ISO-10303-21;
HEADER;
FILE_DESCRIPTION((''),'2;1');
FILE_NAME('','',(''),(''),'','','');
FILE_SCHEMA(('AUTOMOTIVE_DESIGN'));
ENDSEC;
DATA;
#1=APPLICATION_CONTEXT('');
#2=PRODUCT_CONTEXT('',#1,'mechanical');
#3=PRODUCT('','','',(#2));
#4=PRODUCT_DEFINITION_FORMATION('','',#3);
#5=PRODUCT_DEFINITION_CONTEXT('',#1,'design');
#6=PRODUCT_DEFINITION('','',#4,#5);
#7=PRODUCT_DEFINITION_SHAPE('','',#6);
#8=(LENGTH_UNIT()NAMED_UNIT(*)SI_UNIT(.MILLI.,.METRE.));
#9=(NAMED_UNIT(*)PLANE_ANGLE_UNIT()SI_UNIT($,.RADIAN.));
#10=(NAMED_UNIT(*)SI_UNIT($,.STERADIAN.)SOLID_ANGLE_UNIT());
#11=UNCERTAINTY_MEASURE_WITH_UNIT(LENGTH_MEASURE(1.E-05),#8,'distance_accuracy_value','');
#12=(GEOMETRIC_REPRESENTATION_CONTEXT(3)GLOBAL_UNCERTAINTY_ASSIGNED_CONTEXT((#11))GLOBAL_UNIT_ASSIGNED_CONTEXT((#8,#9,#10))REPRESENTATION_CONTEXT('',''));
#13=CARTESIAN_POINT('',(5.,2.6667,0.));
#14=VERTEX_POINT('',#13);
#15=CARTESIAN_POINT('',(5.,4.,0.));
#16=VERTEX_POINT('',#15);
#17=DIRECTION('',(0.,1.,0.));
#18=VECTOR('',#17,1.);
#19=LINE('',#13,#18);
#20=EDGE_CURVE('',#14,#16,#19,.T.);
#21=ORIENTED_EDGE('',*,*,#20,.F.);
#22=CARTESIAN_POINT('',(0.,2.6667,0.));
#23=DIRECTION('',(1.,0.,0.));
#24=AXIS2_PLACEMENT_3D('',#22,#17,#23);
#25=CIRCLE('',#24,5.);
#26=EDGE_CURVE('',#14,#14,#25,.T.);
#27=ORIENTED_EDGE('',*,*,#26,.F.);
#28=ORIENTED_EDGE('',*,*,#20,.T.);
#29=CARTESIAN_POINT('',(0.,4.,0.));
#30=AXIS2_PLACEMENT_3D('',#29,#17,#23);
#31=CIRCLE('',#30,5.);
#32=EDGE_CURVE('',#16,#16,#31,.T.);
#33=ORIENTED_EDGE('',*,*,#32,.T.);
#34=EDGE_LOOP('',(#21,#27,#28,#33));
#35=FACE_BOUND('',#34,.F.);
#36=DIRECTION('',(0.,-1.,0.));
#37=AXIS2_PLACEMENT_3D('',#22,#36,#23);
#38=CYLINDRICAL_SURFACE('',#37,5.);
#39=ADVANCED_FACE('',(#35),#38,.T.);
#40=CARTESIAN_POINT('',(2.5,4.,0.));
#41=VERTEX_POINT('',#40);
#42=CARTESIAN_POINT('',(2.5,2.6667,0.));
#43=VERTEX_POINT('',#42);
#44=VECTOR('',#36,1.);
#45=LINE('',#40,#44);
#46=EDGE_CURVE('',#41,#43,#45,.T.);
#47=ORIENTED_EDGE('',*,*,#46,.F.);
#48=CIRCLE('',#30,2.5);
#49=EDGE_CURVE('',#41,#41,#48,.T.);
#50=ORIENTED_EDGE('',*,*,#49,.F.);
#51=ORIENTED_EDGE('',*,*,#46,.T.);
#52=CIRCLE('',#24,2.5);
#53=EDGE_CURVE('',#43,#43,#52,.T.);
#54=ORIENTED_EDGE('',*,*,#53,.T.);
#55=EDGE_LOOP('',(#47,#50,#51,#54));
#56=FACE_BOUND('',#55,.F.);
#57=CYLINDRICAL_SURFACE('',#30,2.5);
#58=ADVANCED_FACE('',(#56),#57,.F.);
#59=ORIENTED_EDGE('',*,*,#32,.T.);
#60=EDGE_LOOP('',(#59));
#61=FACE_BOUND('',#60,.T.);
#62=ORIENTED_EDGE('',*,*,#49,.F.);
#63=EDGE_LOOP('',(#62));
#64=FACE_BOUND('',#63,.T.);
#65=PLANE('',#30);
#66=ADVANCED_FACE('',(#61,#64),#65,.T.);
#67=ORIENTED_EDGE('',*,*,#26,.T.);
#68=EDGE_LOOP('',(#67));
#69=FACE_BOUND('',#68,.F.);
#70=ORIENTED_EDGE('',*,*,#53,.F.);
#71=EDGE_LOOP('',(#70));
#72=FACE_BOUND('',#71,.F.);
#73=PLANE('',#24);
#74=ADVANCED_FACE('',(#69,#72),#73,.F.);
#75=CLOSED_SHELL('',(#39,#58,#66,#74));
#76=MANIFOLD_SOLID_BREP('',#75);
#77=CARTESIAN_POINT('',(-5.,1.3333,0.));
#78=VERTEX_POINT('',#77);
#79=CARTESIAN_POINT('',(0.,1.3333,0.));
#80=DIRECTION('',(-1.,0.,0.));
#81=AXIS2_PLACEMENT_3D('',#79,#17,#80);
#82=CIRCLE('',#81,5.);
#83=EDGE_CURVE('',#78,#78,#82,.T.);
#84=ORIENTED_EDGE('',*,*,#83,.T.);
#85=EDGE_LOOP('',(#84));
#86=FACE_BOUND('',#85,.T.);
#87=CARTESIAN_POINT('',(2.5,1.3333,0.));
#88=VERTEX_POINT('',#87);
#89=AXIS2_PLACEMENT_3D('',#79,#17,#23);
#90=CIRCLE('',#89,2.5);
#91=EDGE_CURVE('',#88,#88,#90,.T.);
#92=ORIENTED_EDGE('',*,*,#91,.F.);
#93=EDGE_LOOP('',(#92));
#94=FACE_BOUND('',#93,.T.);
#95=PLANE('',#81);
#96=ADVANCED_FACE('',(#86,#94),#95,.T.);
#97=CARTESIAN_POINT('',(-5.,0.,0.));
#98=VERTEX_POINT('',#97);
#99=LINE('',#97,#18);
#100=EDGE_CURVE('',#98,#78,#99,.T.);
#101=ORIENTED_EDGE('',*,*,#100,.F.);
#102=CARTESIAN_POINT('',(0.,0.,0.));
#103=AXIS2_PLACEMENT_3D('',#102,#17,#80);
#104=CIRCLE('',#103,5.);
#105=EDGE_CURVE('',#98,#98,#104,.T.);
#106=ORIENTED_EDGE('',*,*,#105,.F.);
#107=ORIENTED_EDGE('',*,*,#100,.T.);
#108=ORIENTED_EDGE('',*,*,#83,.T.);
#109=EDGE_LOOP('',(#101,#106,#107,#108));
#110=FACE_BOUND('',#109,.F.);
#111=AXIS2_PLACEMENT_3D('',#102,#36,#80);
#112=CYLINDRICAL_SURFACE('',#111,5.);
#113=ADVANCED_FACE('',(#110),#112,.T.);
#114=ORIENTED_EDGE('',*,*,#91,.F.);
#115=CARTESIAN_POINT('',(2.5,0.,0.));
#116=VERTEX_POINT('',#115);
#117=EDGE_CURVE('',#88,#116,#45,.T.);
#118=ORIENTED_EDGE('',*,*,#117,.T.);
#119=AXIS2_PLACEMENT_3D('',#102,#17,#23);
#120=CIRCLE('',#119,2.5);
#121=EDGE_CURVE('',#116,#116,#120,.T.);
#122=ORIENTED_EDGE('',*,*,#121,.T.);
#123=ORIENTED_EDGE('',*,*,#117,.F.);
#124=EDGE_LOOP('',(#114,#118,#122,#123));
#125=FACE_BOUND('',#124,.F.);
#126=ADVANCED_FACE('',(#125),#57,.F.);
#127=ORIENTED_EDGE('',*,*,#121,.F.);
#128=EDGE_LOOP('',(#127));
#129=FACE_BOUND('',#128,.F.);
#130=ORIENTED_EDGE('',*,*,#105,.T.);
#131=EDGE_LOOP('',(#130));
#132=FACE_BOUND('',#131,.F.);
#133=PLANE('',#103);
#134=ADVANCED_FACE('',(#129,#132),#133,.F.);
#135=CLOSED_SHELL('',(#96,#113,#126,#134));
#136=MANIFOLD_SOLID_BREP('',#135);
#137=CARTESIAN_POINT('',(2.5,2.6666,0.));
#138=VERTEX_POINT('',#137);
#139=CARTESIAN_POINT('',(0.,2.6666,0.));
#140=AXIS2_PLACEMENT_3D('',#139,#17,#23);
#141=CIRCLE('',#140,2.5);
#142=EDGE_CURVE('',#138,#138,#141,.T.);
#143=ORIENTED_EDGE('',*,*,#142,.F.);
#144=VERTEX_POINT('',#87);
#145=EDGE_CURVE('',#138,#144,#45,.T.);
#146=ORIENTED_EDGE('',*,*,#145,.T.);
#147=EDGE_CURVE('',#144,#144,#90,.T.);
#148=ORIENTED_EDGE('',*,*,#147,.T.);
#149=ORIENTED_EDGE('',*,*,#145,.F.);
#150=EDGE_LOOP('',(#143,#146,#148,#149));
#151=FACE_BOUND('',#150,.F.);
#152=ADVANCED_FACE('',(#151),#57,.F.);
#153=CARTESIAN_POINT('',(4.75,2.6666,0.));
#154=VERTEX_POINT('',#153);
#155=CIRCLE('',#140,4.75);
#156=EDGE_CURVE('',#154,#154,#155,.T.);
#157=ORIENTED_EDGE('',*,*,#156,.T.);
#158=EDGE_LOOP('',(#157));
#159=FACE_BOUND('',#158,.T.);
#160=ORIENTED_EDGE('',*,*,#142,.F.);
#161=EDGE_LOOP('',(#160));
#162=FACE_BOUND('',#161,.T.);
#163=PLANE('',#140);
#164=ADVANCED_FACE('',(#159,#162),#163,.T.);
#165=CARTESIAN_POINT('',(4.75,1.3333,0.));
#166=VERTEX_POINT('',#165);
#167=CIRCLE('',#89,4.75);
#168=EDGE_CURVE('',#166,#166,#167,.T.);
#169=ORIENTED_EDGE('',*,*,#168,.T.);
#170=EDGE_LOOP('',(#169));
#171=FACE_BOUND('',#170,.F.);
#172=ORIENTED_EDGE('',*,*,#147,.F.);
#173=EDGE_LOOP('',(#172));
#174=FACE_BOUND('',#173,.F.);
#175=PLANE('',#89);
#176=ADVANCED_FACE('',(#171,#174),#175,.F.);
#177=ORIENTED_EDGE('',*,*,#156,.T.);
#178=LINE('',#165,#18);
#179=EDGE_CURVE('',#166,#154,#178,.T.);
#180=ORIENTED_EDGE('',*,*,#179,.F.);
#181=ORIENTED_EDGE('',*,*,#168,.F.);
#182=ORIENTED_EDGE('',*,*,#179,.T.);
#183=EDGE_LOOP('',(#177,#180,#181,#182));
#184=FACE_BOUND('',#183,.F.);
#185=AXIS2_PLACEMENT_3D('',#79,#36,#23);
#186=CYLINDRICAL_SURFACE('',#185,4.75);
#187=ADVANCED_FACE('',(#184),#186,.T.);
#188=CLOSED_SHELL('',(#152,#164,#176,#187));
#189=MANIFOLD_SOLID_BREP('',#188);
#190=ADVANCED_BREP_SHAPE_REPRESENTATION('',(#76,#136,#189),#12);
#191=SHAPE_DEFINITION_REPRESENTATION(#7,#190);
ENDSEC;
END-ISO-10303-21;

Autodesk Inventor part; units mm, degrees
ref_plane "YZ Plane" through (0, 0, 0) normal (1, 0, 0) x (0, 1, 0)
ref_plane "XZ Plane" through (0, 0, 0) normal (0, 1, 0) x (-1, 0, 0)
ref_plane "XY Plane" through (0, 0, 0) normal (0, 0, 1) x (1, 0, 0)
sketch "Sketch1" plane through (0, 0, 0) normal (0, 1, 0) x (-1, 0, 0)
  circle A0 centre (0, 0) radius 5
  dimension "d0" = 10
extrude "Extrusion1" add sketch "Sketch1" along normal blind 1.3333
sketch "Sketch2" plane through (0, 1.3333, 0) normal (0, 1, 0) x (1, 0, 0)
  circle A0 centre (0, 0) radius 4.75
  dimension "d3" = 9.5
extrude "Extrusion2" add sketch "Sketch2" along normal blind 1.3333 separate body
sketch "Sketch3" plane through (0, 2.6667, 0) normal (0, 1, 0) x (1, 0, 0)
  circle A0 centre (0, 0) radius 5
extrude "Extrusion3" add sketch "Sketch3" along normal blind 1.3333 separate body
sketch "Sketch4" plane through (0, 4, 0) normal (0, 1, 0) x (1, 0, 0)
  circle A0 centre (0, 0) radius 2.5
  dimension "d8" = 5
extrude "Extrusion4" cut sketch "Sketch4" against normal blind 10 bodies 3 2 1
properties part number "Rotation Bearing"
